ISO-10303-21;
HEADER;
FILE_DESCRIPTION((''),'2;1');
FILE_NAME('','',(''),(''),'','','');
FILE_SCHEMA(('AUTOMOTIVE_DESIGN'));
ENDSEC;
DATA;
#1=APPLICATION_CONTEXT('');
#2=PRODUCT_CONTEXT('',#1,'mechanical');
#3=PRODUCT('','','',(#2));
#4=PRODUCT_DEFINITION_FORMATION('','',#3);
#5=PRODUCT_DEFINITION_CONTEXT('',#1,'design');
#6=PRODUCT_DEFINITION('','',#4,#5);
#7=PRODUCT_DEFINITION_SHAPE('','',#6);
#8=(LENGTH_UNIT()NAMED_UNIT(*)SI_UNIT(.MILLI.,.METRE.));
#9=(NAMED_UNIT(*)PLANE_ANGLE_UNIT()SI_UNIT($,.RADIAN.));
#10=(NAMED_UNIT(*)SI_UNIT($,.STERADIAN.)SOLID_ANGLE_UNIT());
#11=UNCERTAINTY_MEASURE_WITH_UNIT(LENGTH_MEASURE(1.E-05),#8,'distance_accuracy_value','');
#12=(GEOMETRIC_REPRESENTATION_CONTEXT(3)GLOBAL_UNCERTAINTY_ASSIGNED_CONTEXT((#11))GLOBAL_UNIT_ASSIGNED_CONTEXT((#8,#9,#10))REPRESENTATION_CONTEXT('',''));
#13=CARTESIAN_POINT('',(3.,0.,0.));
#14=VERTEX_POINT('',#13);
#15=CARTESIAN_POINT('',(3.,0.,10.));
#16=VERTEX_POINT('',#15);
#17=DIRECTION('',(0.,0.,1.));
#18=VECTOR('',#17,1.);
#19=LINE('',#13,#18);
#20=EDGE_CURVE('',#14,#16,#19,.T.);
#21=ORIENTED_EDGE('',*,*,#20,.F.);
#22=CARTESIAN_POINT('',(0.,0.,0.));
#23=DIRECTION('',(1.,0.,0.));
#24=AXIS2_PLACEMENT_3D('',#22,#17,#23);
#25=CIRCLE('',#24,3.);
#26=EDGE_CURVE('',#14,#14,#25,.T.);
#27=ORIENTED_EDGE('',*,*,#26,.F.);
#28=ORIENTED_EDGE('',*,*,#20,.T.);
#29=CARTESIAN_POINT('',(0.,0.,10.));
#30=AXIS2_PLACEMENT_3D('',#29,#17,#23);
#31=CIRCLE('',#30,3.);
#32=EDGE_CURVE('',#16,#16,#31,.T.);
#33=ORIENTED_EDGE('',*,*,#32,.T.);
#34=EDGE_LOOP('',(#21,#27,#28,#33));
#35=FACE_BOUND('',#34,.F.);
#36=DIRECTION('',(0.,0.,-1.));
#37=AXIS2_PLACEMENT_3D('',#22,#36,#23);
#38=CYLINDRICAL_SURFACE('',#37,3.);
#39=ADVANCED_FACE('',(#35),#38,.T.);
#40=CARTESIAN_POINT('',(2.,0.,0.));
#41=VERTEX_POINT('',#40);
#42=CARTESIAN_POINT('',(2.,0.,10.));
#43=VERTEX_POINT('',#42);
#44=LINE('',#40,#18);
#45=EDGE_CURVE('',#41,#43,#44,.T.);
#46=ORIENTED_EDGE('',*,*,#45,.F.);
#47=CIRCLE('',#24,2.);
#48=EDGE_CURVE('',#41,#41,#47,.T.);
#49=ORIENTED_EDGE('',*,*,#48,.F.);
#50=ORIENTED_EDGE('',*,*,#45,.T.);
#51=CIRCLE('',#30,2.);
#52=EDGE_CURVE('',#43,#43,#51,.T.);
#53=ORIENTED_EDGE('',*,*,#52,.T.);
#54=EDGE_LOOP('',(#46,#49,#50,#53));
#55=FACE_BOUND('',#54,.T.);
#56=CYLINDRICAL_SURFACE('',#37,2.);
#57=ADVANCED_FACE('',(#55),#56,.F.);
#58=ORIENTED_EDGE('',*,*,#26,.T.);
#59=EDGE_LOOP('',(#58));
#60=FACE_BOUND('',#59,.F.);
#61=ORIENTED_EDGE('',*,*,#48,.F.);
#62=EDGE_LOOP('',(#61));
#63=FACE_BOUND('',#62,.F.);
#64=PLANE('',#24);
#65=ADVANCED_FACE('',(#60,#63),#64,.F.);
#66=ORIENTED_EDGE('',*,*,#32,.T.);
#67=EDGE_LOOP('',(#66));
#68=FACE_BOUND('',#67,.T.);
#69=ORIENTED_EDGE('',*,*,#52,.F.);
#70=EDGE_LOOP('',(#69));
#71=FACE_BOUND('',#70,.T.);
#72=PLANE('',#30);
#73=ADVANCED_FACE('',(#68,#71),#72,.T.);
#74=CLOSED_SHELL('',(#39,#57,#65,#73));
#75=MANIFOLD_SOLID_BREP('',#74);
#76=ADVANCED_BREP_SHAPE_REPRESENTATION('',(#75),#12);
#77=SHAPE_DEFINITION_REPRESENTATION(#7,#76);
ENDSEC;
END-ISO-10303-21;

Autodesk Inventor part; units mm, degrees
ref_plane "YZ Plane" through (0, 0, 0) normal (1, 0, 0) x (0, 1, 0)
ref_plane "XZ Plane" through (0, 0, 0) normal (0, 1, 0) x (-1, 0, 0)
ref_plane "XY Plane" through (0, 0, 0) normal (0, 0, 1) x (1, 0, 0)
sketch "スケッチ1" plane through (0, 0, 0) normal (0, 0, 1) x (1, 0, 0)
  circle A0 centre (0, 0) radius 3
  circle A1 centre (0, 0) radius 2
  dimension "d0" = 6
  dimension "d3" = 4
extrude "押し出し1" add sketch "スケッチ1" along normal blind 10
properties part number "xx_hojopipe"
